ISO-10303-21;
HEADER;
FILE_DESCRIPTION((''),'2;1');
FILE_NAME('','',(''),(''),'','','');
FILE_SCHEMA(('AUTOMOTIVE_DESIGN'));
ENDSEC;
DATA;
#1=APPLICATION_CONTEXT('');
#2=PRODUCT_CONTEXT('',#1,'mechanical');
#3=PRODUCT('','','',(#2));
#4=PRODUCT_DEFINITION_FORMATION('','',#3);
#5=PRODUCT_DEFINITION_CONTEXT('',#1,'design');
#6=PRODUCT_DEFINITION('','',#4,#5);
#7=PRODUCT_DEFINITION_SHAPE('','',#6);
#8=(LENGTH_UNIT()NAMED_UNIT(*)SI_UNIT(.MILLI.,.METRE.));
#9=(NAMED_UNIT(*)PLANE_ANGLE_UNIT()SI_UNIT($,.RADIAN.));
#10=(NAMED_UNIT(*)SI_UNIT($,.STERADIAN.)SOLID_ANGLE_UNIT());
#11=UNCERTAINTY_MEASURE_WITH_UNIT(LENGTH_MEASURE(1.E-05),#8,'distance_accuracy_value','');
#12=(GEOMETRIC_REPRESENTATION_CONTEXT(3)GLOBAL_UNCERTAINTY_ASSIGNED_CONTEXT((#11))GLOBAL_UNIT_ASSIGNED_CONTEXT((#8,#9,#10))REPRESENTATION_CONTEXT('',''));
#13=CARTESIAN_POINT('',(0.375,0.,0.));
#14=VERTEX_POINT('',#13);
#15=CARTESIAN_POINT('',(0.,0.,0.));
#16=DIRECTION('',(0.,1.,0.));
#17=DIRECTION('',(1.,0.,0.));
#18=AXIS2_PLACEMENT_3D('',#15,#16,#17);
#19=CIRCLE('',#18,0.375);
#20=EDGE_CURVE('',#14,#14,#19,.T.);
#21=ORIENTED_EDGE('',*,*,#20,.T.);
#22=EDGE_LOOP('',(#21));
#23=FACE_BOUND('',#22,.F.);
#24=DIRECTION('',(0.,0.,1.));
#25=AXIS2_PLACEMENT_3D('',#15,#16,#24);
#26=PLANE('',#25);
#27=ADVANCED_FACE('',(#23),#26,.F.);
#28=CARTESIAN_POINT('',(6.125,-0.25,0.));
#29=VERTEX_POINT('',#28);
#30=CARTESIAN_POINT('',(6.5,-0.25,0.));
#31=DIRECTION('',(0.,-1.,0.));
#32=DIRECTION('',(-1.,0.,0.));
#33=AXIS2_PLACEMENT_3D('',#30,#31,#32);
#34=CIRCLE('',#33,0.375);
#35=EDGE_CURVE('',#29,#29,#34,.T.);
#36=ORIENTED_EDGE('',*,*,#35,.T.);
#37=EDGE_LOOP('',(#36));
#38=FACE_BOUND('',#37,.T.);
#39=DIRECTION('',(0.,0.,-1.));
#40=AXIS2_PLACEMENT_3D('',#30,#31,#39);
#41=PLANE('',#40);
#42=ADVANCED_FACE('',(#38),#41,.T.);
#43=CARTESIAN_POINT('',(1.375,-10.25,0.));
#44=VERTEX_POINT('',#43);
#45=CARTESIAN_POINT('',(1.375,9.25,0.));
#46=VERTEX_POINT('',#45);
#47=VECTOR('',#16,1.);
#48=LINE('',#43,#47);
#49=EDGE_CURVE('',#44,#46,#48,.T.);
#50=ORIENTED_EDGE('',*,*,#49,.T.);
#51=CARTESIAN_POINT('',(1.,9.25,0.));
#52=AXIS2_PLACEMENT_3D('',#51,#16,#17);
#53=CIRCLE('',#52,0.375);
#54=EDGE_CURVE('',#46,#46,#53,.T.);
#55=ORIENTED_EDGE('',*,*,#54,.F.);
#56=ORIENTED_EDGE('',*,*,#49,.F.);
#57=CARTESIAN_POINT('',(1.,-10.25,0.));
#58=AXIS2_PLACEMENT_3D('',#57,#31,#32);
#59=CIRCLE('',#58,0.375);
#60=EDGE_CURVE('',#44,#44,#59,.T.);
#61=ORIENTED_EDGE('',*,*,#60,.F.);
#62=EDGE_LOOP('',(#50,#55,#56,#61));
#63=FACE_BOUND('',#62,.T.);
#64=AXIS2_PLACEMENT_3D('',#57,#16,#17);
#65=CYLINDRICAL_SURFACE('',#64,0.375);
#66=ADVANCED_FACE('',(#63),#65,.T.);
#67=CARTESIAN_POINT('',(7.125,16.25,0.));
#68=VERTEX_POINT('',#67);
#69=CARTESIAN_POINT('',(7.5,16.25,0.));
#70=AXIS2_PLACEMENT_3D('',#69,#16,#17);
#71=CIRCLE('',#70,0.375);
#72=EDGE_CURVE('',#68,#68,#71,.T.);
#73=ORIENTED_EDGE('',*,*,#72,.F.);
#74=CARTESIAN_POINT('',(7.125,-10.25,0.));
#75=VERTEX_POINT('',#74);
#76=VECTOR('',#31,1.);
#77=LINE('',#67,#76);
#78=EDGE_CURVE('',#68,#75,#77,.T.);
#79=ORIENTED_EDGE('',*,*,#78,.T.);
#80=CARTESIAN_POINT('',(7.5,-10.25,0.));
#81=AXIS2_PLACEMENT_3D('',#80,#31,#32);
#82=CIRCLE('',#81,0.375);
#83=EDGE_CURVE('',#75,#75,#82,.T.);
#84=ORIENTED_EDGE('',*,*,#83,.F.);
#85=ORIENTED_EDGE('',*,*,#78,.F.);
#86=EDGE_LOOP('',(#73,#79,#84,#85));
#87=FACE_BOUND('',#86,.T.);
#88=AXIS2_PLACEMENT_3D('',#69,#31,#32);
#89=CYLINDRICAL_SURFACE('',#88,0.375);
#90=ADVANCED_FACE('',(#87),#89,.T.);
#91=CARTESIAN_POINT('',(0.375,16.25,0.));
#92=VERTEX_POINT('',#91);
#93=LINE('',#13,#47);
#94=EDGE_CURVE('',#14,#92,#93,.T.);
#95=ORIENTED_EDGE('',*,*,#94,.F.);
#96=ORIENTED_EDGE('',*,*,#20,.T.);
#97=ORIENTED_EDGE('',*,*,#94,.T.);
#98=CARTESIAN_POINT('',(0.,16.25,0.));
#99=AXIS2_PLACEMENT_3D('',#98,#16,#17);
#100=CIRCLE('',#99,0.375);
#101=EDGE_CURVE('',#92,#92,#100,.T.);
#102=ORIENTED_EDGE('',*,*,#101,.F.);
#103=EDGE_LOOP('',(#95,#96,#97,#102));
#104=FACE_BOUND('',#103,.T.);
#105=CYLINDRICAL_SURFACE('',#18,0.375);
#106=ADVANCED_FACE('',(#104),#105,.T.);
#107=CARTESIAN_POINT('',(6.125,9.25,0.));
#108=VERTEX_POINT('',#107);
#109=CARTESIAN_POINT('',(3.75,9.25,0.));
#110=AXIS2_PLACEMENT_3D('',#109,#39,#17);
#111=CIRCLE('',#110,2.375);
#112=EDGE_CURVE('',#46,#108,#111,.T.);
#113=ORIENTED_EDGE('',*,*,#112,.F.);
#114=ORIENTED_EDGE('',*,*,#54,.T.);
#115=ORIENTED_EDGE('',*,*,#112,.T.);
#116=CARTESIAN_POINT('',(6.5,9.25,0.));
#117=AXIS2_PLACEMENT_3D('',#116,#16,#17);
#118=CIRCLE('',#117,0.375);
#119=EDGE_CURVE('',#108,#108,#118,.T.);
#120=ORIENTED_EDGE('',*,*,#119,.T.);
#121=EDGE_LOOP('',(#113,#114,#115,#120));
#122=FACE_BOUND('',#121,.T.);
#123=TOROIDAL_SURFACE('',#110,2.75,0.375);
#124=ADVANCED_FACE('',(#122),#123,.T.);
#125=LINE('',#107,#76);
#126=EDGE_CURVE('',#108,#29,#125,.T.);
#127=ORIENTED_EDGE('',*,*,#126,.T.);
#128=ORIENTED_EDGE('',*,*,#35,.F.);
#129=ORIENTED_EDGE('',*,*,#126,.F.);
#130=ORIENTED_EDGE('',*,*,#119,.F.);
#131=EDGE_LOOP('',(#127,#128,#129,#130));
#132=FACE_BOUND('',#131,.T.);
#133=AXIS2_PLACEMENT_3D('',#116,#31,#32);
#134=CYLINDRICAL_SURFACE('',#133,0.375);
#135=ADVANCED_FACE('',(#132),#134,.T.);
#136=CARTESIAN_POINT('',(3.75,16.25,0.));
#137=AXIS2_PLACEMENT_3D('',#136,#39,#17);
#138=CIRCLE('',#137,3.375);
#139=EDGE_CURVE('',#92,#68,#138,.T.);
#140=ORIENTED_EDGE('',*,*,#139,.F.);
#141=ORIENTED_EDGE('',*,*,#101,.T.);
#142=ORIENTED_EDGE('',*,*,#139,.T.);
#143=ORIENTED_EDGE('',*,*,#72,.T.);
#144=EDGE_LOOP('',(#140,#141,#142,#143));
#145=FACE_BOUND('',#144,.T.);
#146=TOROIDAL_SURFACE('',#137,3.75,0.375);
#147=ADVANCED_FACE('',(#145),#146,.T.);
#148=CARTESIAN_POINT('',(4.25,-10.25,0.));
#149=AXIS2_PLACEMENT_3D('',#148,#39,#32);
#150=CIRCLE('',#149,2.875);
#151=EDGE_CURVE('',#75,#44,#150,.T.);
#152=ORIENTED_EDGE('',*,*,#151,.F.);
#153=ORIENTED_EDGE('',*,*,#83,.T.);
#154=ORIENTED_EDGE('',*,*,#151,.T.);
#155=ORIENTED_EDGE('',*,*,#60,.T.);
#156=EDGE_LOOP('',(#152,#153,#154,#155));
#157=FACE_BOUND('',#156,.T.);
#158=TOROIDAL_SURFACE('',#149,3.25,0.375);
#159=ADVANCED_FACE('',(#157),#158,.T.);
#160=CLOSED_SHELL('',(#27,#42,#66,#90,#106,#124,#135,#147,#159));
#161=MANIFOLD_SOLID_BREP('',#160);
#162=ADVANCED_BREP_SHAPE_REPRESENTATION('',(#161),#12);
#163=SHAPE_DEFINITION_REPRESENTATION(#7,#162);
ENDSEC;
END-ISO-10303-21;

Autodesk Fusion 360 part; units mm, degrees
sketch "Sweep path" plane through (0, 0, 0) normal (0, 0, 1) x (1, 0, 0)
  line L0 (0, 0) -> (0, 16.25)
  line L1 (0, 16.25) -> (7.5, 16.25) construction
  line L2 (7.5, 16.25) -> (7.5, -10.25)
  line L3 (7.5, -10.25) -> (1, -10.25) construction
  line L4 (1, -10.25) -> (1, 9.25)
  line L5 (1, 9.25) -> (6.5, 9.25) construction
  line L6 (6.5, 9.25) -> (6.5, -0.25)
  arc A0 (7.5, 16.25) -> (0, 16.25) centre (3.75, 16.25) ccw
  arc A1 (6.5, 9.25) -> (1, 9.25) centre (3.75, 9.25) ccw
  arc A2 (1, -10.25) -> (7.5, -10.25) centre (4.25, -10.25) ccw
sketch "Sweep profile" plane through (0, 0, 0) normal (0, 1, 0) x (1, 0, 0)
  circle A0 centre (0, 0) radius 0.375
  dimension "d8" = 0.75
sweep "Sweep1" add profiles "Sweep profile" path "Sweep path" along L0 A0 L2 A2 L4 A1 L6 section 1
